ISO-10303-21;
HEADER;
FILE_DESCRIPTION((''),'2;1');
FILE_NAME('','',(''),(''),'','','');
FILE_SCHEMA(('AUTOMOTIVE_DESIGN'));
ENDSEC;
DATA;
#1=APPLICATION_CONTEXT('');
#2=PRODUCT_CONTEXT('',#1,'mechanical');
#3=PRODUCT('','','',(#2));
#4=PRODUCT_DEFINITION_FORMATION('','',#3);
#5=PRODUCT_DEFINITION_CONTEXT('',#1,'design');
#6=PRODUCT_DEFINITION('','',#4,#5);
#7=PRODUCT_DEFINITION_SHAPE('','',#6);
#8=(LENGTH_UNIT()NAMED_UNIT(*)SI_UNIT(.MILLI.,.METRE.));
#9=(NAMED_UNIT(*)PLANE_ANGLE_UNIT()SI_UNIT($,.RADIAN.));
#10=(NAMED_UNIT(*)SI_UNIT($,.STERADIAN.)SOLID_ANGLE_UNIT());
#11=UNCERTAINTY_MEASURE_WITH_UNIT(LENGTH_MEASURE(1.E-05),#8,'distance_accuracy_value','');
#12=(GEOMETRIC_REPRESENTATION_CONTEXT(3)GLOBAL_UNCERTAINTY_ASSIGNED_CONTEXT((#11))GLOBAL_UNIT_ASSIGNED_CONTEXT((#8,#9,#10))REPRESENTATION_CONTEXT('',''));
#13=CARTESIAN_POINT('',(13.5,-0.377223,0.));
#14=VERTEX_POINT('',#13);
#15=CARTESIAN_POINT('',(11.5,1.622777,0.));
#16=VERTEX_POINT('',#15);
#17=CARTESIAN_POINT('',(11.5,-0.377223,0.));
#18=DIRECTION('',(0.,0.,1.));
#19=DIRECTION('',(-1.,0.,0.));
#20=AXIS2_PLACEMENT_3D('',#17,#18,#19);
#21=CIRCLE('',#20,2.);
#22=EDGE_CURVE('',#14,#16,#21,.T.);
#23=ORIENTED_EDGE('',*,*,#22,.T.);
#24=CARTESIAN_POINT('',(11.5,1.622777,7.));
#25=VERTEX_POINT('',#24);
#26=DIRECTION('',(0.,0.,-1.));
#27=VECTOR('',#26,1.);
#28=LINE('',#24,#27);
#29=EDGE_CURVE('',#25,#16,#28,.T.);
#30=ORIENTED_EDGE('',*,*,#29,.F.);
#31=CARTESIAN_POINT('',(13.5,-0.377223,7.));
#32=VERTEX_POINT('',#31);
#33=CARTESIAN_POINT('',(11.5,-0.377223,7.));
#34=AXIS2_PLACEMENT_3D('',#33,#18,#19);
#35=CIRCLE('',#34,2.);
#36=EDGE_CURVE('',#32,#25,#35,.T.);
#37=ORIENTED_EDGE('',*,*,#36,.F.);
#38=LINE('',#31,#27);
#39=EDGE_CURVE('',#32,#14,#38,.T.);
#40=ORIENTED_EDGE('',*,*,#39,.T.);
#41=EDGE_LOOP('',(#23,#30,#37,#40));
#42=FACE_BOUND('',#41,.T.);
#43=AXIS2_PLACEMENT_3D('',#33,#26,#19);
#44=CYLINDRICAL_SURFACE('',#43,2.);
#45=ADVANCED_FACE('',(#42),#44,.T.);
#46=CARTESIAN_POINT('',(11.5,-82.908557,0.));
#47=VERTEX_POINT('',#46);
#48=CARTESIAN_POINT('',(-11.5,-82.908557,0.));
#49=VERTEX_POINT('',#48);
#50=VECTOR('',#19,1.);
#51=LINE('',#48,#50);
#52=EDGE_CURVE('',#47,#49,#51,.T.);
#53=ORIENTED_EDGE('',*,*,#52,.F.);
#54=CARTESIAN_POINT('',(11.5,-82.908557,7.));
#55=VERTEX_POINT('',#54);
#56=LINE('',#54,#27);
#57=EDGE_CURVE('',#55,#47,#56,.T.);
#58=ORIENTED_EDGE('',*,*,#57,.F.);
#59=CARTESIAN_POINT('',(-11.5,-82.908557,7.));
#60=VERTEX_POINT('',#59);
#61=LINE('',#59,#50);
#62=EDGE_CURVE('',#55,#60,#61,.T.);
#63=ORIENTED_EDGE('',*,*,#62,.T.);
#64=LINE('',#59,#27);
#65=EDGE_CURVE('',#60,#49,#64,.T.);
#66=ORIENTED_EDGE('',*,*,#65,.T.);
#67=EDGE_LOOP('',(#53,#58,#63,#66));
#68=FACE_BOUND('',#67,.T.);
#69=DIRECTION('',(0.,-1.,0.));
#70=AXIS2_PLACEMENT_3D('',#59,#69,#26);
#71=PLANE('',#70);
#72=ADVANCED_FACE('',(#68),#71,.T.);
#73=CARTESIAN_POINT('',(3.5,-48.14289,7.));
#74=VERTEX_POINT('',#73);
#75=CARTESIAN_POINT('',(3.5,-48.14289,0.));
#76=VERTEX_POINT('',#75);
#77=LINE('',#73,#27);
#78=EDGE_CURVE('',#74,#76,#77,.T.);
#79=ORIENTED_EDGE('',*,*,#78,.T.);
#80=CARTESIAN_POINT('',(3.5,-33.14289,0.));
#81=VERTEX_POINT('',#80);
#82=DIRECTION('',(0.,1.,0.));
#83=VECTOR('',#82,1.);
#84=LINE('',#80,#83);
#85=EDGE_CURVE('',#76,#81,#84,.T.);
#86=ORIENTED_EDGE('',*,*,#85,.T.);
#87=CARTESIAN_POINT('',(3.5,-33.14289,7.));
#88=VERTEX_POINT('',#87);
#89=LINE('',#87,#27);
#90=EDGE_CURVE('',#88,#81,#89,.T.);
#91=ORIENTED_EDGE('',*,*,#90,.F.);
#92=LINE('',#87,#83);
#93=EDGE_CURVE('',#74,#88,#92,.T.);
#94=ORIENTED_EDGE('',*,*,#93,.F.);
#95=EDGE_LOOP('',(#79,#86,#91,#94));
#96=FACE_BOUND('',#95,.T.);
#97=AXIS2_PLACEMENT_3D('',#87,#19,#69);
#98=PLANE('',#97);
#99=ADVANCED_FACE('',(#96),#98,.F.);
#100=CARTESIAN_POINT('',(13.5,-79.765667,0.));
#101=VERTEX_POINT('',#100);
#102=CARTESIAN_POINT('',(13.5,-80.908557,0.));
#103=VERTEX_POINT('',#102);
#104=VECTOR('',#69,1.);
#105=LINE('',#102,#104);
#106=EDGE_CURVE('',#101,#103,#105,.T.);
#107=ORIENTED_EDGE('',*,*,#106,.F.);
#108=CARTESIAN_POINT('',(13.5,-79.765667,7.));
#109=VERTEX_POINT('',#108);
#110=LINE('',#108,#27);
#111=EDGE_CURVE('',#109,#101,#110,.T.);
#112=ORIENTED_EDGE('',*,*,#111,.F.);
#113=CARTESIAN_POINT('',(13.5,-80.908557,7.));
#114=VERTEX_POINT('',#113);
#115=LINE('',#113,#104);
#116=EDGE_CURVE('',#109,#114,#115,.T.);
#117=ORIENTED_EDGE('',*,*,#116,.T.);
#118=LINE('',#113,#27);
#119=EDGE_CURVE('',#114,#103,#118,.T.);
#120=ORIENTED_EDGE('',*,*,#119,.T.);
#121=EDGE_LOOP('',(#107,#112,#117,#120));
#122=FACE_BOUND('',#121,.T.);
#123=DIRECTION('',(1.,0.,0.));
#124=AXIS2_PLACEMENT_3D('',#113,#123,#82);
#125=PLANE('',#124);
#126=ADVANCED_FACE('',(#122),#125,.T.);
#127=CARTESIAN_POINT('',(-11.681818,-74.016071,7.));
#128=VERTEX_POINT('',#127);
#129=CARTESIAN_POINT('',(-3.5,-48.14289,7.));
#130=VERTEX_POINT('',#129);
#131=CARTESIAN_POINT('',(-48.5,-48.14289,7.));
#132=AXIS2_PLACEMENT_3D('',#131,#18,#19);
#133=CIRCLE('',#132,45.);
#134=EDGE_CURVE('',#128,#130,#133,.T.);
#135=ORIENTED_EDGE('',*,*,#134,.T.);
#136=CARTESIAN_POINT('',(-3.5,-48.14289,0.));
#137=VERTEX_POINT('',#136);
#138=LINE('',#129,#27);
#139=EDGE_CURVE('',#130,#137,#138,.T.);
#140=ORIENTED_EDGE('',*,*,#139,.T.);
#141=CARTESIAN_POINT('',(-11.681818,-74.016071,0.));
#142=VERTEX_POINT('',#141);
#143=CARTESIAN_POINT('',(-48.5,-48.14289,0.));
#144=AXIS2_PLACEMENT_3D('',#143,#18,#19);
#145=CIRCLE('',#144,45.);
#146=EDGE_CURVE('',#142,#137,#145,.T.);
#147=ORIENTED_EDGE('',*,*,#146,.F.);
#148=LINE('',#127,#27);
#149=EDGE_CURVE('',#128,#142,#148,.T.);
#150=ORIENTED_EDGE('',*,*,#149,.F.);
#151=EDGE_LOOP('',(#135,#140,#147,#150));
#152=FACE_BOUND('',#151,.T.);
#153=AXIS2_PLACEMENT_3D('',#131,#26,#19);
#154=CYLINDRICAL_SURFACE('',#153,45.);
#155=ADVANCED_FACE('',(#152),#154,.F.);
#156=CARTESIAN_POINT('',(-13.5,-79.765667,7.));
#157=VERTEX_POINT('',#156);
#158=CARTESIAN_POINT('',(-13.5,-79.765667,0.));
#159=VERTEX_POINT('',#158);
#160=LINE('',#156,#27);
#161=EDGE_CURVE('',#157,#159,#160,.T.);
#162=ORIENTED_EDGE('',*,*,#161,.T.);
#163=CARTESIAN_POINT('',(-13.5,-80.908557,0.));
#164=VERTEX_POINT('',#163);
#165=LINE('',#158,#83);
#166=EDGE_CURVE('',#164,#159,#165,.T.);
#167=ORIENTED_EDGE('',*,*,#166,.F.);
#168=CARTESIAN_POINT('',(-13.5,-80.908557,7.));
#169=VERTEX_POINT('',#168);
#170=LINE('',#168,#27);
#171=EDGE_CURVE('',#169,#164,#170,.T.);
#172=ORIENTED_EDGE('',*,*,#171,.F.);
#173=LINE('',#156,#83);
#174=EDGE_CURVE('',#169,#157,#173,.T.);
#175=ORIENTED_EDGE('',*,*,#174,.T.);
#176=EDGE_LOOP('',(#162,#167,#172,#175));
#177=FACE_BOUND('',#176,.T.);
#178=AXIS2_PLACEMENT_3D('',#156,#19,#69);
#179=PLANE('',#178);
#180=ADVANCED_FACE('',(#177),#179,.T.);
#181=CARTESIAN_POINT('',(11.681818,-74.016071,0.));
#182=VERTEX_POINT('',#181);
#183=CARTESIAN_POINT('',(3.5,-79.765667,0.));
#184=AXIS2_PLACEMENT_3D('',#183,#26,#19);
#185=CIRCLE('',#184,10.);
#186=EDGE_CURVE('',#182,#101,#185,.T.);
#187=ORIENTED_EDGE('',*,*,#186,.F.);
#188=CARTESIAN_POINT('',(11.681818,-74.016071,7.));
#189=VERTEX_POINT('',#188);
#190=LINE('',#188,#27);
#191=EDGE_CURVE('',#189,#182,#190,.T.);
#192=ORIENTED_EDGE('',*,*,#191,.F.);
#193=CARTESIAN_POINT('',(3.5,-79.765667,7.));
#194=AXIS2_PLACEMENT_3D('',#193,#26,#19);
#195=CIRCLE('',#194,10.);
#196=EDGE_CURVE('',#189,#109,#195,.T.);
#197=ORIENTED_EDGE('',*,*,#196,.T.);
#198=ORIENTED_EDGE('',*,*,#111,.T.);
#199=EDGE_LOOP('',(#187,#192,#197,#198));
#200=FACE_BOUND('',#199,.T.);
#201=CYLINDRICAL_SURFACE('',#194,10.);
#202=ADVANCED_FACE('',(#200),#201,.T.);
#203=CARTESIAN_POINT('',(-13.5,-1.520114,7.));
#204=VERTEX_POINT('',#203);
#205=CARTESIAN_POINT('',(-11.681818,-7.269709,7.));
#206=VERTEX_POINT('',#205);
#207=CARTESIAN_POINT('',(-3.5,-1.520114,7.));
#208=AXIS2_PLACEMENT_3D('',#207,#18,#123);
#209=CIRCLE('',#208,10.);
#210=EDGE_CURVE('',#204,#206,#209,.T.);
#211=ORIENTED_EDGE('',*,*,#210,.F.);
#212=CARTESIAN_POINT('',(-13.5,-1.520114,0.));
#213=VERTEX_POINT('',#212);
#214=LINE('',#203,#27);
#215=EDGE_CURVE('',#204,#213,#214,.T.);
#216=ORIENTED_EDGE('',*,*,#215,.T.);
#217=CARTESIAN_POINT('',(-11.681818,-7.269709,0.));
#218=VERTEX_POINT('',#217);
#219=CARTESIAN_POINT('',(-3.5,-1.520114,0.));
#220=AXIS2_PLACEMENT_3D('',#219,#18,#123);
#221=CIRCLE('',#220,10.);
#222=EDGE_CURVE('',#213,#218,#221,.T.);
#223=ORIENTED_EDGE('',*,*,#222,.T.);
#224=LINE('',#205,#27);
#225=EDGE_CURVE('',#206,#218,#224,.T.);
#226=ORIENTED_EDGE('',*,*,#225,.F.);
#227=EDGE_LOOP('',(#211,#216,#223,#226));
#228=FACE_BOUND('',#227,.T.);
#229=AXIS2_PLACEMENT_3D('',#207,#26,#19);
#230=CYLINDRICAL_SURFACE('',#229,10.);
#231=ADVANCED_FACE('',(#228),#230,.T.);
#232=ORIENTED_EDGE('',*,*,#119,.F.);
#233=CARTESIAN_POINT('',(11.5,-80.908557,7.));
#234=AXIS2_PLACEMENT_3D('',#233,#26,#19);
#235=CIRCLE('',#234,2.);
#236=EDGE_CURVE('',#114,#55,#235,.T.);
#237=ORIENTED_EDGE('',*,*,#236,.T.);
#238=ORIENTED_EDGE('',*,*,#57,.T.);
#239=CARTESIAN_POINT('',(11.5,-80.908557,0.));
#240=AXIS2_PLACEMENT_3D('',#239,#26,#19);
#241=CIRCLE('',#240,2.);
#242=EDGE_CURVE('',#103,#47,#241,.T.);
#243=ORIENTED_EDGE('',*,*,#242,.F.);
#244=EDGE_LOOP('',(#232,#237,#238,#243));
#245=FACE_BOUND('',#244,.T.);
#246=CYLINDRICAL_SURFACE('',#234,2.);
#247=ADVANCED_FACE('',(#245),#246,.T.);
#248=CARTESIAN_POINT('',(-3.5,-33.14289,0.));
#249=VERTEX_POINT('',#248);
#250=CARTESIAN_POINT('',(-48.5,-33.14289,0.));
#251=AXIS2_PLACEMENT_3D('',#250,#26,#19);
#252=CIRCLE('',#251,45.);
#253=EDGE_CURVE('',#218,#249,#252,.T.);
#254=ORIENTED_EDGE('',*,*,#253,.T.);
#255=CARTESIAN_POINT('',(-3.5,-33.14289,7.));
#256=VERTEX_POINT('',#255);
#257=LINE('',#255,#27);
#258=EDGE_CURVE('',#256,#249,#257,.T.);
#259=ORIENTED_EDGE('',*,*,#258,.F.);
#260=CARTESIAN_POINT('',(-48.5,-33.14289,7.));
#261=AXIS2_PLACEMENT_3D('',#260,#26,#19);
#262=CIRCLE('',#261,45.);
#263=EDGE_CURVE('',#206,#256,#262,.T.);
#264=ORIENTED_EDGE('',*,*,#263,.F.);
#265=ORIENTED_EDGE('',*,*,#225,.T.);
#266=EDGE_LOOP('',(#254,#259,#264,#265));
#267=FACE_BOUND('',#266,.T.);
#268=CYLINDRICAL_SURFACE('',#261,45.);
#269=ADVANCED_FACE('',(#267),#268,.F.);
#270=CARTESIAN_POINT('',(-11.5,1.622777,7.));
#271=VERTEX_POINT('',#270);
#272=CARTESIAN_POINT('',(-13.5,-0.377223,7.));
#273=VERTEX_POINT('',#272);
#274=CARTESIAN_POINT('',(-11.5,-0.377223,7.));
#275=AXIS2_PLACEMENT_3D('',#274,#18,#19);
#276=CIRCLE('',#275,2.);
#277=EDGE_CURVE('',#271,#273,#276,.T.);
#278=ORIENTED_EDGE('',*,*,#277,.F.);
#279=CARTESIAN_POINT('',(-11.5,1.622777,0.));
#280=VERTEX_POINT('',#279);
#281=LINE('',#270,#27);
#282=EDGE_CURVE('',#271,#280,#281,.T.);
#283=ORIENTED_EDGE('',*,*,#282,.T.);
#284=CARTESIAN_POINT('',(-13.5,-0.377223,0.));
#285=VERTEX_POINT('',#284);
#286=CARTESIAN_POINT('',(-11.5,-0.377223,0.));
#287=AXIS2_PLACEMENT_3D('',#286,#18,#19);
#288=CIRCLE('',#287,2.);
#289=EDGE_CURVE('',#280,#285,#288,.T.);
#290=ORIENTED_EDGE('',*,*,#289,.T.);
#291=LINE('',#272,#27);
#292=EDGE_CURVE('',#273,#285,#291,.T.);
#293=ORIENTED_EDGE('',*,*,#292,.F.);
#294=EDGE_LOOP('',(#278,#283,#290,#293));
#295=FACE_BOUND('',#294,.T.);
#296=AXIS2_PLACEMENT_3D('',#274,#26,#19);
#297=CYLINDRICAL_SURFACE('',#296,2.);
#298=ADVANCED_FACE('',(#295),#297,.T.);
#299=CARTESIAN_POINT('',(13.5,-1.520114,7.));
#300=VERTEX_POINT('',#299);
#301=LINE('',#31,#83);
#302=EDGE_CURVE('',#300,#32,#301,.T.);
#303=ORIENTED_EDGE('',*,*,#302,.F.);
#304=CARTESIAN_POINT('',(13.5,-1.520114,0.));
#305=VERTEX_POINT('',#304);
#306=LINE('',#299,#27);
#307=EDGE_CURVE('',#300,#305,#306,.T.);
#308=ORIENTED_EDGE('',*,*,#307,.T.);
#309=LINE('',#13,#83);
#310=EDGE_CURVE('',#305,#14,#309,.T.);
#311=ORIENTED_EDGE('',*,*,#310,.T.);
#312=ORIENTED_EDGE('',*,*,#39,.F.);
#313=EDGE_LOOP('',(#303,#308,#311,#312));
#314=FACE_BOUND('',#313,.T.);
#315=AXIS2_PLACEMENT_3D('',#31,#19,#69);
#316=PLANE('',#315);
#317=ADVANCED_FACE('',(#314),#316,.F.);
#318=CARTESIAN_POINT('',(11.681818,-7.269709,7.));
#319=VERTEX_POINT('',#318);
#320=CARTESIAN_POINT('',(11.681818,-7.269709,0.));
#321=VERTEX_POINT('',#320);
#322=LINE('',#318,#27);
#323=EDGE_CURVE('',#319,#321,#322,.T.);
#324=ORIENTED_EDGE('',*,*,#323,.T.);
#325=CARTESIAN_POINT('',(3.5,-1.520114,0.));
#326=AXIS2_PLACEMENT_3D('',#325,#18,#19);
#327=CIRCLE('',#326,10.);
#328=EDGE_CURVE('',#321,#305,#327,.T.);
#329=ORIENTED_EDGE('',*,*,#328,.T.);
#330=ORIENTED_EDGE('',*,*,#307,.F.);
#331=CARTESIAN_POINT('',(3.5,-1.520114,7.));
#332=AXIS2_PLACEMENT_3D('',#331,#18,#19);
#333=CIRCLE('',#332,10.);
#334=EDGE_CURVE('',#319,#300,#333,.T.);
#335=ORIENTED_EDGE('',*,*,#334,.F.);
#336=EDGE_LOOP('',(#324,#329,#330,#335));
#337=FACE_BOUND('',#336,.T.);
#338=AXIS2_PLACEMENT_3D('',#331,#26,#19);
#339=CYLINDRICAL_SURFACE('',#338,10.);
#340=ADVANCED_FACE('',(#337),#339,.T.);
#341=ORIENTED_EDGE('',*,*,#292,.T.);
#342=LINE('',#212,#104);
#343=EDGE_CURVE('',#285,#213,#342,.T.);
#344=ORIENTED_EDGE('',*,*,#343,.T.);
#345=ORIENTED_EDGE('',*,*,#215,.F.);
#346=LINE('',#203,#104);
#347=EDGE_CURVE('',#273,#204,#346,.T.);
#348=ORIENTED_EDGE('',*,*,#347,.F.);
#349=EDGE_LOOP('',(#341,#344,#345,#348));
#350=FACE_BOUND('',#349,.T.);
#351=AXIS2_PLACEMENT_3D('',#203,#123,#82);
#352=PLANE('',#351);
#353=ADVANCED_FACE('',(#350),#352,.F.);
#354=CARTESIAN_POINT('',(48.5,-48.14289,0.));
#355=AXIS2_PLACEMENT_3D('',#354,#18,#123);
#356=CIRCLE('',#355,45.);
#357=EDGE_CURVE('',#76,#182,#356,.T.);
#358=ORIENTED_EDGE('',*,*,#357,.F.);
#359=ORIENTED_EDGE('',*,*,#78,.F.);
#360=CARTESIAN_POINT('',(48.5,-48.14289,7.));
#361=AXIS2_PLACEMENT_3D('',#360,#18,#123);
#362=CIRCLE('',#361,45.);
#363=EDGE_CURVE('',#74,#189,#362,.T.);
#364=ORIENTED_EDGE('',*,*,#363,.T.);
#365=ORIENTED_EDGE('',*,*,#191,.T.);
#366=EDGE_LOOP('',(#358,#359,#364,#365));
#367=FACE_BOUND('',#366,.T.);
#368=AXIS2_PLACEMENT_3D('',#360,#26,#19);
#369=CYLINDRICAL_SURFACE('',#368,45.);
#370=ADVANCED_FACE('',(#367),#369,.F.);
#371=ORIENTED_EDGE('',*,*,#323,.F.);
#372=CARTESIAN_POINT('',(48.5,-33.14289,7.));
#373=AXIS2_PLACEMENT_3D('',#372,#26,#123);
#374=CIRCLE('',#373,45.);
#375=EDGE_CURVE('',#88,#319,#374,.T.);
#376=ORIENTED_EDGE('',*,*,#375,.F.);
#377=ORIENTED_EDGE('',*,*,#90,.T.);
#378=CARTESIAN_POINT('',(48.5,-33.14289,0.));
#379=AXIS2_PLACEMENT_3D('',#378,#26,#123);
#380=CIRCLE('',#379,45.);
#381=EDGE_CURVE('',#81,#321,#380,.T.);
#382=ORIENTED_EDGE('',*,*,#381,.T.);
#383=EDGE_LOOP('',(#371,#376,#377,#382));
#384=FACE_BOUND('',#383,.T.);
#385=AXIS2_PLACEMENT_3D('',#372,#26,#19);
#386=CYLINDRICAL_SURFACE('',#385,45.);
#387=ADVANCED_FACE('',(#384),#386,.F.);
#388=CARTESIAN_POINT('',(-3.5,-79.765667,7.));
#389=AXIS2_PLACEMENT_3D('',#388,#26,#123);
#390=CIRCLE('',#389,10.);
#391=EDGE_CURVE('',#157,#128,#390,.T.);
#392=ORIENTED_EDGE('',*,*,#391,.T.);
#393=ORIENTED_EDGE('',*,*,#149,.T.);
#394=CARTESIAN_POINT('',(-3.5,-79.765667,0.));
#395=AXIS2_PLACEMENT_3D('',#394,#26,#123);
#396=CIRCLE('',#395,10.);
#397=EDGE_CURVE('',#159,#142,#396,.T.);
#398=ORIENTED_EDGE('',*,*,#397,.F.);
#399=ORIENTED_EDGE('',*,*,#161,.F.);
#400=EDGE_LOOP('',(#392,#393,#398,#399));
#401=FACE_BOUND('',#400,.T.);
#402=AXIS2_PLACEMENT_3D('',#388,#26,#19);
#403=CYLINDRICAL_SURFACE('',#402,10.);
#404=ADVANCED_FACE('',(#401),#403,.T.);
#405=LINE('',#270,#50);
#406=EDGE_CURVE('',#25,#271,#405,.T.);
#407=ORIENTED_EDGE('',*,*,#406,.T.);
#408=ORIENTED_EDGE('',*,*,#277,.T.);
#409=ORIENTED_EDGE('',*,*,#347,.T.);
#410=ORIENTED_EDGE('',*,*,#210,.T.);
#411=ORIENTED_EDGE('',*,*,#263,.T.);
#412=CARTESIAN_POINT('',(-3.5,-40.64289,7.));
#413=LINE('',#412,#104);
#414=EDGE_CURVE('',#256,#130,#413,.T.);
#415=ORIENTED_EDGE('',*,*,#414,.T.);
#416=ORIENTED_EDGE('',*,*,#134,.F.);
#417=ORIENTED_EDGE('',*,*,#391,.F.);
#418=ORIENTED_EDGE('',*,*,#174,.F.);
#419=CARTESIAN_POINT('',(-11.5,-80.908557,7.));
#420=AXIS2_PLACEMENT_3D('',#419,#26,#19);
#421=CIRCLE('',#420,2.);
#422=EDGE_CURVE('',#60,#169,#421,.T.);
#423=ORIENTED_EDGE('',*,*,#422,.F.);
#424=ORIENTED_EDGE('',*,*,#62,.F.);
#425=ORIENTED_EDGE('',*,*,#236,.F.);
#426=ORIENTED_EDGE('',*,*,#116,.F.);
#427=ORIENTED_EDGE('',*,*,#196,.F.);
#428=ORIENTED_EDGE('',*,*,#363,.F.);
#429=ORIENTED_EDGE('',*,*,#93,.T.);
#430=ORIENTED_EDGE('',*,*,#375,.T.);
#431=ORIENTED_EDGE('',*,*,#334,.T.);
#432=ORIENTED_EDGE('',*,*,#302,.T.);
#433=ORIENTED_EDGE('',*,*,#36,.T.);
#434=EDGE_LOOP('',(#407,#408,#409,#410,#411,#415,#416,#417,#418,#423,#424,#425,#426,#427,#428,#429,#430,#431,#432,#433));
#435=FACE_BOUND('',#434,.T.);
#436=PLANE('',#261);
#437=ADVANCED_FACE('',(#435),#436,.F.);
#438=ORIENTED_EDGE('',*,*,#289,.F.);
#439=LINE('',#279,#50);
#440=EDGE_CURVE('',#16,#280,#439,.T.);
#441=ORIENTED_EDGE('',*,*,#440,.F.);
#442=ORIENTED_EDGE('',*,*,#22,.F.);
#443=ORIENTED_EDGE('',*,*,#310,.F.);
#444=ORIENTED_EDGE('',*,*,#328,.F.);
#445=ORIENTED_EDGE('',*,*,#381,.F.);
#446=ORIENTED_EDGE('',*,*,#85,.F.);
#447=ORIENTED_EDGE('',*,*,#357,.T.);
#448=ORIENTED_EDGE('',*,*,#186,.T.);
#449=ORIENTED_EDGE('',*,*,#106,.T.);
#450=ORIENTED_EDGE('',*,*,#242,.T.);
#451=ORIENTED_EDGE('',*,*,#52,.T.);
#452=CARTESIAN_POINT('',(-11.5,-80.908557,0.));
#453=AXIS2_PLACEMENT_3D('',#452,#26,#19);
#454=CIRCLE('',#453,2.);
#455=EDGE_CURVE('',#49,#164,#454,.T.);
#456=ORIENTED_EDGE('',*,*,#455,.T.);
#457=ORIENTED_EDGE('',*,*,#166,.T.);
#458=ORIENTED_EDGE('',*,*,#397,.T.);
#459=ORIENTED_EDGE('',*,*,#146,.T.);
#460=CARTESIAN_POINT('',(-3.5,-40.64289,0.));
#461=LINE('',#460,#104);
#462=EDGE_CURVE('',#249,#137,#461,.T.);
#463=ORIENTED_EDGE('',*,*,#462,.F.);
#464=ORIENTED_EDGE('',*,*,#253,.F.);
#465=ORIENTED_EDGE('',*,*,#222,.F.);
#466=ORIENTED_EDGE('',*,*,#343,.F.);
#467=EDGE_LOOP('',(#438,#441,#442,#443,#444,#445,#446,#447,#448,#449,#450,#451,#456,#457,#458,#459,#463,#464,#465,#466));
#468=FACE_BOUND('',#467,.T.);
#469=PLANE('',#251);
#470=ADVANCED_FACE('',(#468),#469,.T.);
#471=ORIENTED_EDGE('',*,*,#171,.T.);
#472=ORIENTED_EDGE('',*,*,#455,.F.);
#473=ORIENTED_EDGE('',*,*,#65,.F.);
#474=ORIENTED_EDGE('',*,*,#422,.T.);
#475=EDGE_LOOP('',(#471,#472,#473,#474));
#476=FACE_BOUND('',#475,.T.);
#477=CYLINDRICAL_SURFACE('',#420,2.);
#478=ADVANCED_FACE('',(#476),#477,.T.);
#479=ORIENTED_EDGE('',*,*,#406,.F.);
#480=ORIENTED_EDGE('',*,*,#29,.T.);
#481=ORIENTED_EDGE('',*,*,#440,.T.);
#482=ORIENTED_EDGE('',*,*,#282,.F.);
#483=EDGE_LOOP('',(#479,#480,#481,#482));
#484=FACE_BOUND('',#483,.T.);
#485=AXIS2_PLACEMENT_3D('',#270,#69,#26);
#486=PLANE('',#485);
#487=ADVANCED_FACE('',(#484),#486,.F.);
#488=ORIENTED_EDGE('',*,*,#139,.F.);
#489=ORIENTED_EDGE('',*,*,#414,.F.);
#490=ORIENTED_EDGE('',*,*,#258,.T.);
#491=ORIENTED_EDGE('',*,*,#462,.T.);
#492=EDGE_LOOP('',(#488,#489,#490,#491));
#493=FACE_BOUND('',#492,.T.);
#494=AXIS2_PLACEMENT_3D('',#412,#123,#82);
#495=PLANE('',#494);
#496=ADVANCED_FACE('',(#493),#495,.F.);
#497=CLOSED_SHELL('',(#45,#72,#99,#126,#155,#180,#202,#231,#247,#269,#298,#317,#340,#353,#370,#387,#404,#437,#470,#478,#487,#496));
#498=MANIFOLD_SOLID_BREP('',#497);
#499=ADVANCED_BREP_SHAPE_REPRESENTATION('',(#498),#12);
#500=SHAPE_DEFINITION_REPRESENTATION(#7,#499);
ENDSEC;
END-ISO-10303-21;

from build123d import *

# Parameters (mm, degrees)
BOSS_EXTRUDE1_DEPTH = 7


with BuildPart() as part:
    # Sketch1 → Boss-Extrude1 (new body)
    with BuildSketch(Plane.XY):
        with BuildLine():
            Line((-13.5, -1.520113715), (-13.5, -0.377223398))
            ThreePointArc((-13.5, -0.377223398), (-12.914213562, 1.036990164), (-11.5, 1.622776602))
            Line((-11.5, 1.622776602), (11.5, 1.622776602))
            ThreePointArc((11.5, 1.622776602), (12.914213562, 1.036990164), (13.5, -0.377223398))
            Line((13.5, -0.377223398), (13.5, -1.520113715))
            ThreePointArc((13.5, -1.520113715), (13.034625892, -4.535227161), (11.681818182, -7.269709461))
            ThreePointArc((11.681818182, -7.269709461), (5.594183484, -19.574879811), (3.5, -33.142890317))
            Line((3.5, -33.142890317), (3.5, -40.642890317))
            Line((3.5, -40.642890317), (-3.5, -40.642890317))
            Line((-3.5, -40.642890317), (-3.5, -33.142890317))
            ThreePointArc((-3.5, -33.142890317), (-5.594183484, -19.574879811), (-11.681818182, -7.269709461))
            ThreePointArc((-11.681818182, -7.269709461), (-13.034625892, -4.535227161), (-13.5, -1.520113715))
        make_face()
    boss_extrude1 = extrude(amount=BOSS_EXTRUDE1_DEPTH)

    # Mirror1: Boss-Extrude1 across plane
    add(boss_extrude1.mirror(Plane(origin=(3.5, -40.642890317, 7), x_dir=(0, 0, 1), z_dir=(0, 1, 0))))


solid = part.part
